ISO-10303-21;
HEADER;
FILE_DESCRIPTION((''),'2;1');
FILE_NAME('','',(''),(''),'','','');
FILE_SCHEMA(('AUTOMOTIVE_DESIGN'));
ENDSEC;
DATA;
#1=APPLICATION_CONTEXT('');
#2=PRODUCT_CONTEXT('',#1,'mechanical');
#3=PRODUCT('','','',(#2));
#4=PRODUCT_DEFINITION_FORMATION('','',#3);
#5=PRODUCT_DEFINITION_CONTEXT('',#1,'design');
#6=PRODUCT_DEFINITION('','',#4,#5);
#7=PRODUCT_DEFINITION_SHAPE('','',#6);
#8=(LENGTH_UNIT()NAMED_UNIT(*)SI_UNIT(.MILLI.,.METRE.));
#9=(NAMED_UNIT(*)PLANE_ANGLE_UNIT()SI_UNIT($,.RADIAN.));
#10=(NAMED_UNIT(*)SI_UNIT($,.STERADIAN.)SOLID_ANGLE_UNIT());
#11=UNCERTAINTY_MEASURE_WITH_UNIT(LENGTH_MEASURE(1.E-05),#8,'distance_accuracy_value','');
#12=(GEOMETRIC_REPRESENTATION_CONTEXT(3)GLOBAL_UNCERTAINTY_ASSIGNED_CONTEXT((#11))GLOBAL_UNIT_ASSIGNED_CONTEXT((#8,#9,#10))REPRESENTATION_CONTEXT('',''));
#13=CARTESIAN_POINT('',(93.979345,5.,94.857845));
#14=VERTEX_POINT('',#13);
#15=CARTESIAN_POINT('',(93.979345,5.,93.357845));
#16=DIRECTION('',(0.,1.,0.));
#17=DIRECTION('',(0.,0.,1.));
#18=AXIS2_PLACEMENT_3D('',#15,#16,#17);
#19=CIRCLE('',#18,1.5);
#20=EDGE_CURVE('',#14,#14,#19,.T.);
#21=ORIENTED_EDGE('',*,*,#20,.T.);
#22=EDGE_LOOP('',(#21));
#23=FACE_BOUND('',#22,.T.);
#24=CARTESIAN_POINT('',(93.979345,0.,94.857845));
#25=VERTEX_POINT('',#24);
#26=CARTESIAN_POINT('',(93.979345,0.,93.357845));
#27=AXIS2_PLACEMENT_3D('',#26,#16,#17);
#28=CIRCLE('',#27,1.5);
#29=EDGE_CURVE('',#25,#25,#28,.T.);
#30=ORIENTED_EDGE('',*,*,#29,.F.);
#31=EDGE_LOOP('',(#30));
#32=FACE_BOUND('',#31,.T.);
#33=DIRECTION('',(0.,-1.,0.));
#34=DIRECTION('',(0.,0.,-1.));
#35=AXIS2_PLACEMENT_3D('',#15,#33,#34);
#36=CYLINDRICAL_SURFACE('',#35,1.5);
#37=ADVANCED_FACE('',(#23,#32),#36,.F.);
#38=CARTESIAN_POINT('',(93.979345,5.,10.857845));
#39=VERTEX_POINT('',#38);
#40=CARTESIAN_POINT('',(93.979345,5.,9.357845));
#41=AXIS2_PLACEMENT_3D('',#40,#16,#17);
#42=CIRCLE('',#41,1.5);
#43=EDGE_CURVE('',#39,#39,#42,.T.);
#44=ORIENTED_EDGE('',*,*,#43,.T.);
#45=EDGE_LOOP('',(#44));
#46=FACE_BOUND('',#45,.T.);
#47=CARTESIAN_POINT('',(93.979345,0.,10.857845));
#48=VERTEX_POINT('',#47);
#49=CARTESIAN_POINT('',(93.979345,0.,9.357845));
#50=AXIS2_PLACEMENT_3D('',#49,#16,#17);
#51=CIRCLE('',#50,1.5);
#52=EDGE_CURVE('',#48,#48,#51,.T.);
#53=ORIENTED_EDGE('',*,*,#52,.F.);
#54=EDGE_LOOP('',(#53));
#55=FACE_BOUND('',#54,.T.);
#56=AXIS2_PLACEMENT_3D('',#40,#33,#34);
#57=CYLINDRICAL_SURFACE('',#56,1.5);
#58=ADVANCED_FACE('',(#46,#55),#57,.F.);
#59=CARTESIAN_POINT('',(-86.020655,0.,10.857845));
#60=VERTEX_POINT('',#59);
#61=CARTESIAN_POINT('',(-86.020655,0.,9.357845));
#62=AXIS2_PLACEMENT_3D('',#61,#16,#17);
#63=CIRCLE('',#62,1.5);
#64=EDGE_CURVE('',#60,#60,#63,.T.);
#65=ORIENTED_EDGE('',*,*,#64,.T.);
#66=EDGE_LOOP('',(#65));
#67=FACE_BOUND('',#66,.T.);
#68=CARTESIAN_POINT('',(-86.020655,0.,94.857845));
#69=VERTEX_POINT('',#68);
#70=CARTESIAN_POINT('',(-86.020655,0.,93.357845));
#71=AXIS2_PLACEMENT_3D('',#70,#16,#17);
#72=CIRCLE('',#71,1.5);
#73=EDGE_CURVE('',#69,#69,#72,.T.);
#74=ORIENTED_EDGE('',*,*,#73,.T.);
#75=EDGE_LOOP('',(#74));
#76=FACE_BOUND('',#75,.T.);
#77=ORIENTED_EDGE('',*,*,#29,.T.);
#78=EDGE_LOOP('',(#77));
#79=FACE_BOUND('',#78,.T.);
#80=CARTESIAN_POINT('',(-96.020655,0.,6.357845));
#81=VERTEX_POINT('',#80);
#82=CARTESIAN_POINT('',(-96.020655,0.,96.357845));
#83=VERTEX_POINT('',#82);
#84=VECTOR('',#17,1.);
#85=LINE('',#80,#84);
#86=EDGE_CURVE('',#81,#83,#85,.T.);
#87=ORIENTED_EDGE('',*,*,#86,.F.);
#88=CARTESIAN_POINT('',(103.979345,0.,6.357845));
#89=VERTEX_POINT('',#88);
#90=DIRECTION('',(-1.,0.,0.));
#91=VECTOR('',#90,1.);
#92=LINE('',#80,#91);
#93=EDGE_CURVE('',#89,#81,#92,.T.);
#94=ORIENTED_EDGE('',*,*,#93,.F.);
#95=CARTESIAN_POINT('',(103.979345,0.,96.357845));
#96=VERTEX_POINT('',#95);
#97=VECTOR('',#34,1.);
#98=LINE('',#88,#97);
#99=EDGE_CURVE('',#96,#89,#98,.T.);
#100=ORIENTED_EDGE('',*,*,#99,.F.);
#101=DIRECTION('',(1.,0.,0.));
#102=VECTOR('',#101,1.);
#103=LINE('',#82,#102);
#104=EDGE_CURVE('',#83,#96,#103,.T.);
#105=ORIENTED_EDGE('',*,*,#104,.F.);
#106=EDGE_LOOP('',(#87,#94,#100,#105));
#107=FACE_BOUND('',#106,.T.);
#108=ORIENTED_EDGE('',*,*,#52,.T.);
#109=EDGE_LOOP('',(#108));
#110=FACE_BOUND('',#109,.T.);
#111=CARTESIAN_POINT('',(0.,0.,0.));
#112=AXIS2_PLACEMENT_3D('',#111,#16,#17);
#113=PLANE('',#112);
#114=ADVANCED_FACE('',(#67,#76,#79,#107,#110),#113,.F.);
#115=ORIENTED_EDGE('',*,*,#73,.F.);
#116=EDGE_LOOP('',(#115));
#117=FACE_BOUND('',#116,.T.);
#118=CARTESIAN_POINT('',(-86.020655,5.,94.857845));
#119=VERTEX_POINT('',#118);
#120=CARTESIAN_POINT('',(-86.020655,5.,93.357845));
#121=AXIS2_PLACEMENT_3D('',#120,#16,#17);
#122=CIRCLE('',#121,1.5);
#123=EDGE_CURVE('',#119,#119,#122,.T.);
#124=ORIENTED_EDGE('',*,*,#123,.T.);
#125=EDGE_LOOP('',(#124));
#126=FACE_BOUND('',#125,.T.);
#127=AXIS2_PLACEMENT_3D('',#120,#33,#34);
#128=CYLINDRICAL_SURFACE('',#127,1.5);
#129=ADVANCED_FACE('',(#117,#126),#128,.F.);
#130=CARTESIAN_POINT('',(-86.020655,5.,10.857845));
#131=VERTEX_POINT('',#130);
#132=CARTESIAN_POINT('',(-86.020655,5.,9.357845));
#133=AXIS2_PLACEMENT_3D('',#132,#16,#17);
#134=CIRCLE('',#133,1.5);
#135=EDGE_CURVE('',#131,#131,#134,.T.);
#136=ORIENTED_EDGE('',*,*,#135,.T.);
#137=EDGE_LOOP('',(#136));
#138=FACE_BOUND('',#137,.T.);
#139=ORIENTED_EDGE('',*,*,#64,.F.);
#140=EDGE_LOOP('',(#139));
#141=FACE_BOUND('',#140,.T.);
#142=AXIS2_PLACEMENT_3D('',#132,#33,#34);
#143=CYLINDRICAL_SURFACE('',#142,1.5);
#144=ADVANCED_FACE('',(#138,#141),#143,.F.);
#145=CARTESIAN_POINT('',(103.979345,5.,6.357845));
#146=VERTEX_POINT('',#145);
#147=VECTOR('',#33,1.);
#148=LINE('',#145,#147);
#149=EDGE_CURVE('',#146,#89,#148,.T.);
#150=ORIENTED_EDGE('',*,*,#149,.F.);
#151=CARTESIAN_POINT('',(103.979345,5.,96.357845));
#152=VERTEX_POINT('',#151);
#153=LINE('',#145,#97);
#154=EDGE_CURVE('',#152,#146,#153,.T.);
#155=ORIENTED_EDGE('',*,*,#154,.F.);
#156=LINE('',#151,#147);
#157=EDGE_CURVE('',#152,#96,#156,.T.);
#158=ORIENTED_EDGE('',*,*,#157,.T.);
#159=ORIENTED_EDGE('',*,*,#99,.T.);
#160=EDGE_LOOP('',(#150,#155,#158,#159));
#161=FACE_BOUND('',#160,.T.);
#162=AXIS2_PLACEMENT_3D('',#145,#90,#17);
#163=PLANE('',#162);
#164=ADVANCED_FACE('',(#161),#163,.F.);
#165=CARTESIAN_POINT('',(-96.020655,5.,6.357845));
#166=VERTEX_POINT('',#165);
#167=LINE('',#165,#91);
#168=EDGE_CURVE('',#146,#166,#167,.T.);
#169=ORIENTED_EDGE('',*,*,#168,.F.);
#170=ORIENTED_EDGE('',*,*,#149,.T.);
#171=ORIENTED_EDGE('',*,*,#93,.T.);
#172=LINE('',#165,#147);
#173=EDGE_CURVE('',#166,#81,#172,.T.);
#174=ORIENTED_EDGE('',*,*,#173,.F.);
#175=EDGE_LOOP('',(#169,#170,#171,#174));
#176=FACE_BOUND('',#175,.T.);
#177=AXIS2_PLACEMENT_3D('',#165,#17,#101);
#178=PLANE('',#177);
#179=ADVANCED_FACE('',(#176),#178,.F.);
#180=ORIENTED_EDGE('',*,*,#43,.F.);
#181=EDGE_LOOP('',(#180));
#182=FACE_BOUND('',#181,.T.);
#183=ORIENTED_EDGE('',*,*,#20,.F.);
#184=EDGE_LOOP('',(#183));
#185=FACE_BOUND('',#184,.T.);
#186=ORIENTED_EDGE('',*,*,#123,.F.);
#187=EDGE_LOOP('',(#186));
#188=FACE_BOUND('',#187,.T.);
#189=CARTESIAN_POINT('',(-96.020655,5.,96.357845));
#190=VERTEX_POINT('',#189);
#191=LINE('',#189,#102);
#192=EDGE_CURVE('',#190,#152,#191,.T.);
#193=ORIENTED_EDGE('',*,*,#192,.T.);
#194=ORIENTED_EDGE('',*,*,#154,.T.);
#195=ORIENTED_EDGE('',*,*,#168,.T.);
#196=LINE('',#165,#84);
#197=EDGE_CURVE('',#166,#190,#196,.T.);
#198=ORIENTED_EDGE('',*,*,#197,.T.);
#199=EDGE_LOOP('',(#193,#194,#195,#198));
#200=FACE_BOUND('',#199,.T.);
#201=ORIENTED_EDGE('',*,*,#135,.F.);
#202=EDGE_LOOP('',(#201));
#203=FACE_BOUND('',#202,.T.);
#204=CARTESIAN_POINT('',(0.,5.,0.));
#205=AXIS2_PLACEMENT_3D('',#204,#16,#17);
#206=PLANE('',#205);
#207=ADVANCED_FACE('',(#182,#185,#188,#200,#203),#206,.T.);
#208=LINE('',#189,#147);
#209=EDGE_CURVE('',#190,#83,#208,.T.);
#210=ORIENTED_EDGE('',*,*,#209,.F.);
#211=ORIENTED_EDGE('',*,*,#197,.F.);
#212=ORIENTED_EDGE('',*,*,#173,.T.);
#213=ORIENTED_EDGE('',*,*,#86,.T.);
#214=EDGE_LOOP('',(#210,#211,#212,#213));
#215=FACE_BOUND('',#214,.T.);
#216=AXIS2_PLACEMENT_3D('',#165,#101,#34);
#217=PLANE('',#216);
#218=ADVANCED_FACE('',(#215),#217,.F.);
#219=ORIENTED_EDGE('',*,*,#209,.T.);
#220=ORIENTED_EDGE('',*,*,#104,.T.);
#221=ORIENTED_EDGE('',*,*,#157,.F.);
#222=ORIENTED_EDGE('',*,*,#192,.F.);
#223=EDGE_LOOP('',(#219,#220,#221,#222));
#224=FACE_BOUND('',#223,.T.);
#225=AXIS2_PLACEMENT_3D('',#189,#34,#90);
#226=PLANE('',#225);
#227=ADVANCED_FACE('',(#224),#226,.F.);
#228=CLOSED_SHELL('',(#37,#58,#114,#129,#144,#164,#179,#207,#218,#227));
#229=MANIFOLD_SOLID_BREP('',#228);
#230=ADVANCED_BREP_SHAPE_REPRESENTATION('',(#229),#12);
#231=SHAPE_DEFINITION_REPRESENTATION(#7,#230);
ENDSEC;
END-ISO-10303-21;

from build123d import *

# Parameters (mm, degrees)
SKETCH1_W           = 200
SKETCH1_H           = 90
SKETCH1_R           = 1.5
BOSS_EXTRUDE1_DEPTH = 5


with BuildPart() as part:
    # Sketch1 → Boss-Extrude1 (new body)
    with BuildSketch(Plane(origin=(0, 0, 0), x_dir=(1, 0, 0), z_dir=(0, 1, 0))):
        with Locations((3.97934472, -51.35784543)):
            Rectangle(SKETCH1_W, SKETCH1_H)
        with Locations(Location((-86.02065528, -9.35784543, 0), (0, 0, 270))):
            Circle(SKETCH1_R, mode=Mode.SUBTRACT)
        with Locations(Location((-86.02065528, -93.35784543, 0), (0, 0, 270))):
            Circle(SKETCH1_R, mode=Mode.SUBTRACT)
        with Locations(Location((93.97934472, -9.35784543, 0), (0, 0, 270))):
            Circle(SKETCH1_R, mode=Mode.SUBTRACT)
        with Locations(Location((93.97934472, -93.35784543, 0), (0, 0, 270))):
            Circle(SKETCH1_R, mode=Mode.SUBTRACT)
    extrude(amount=BOSS_EXTRUDE1_DEPTH)


solid = part.part
